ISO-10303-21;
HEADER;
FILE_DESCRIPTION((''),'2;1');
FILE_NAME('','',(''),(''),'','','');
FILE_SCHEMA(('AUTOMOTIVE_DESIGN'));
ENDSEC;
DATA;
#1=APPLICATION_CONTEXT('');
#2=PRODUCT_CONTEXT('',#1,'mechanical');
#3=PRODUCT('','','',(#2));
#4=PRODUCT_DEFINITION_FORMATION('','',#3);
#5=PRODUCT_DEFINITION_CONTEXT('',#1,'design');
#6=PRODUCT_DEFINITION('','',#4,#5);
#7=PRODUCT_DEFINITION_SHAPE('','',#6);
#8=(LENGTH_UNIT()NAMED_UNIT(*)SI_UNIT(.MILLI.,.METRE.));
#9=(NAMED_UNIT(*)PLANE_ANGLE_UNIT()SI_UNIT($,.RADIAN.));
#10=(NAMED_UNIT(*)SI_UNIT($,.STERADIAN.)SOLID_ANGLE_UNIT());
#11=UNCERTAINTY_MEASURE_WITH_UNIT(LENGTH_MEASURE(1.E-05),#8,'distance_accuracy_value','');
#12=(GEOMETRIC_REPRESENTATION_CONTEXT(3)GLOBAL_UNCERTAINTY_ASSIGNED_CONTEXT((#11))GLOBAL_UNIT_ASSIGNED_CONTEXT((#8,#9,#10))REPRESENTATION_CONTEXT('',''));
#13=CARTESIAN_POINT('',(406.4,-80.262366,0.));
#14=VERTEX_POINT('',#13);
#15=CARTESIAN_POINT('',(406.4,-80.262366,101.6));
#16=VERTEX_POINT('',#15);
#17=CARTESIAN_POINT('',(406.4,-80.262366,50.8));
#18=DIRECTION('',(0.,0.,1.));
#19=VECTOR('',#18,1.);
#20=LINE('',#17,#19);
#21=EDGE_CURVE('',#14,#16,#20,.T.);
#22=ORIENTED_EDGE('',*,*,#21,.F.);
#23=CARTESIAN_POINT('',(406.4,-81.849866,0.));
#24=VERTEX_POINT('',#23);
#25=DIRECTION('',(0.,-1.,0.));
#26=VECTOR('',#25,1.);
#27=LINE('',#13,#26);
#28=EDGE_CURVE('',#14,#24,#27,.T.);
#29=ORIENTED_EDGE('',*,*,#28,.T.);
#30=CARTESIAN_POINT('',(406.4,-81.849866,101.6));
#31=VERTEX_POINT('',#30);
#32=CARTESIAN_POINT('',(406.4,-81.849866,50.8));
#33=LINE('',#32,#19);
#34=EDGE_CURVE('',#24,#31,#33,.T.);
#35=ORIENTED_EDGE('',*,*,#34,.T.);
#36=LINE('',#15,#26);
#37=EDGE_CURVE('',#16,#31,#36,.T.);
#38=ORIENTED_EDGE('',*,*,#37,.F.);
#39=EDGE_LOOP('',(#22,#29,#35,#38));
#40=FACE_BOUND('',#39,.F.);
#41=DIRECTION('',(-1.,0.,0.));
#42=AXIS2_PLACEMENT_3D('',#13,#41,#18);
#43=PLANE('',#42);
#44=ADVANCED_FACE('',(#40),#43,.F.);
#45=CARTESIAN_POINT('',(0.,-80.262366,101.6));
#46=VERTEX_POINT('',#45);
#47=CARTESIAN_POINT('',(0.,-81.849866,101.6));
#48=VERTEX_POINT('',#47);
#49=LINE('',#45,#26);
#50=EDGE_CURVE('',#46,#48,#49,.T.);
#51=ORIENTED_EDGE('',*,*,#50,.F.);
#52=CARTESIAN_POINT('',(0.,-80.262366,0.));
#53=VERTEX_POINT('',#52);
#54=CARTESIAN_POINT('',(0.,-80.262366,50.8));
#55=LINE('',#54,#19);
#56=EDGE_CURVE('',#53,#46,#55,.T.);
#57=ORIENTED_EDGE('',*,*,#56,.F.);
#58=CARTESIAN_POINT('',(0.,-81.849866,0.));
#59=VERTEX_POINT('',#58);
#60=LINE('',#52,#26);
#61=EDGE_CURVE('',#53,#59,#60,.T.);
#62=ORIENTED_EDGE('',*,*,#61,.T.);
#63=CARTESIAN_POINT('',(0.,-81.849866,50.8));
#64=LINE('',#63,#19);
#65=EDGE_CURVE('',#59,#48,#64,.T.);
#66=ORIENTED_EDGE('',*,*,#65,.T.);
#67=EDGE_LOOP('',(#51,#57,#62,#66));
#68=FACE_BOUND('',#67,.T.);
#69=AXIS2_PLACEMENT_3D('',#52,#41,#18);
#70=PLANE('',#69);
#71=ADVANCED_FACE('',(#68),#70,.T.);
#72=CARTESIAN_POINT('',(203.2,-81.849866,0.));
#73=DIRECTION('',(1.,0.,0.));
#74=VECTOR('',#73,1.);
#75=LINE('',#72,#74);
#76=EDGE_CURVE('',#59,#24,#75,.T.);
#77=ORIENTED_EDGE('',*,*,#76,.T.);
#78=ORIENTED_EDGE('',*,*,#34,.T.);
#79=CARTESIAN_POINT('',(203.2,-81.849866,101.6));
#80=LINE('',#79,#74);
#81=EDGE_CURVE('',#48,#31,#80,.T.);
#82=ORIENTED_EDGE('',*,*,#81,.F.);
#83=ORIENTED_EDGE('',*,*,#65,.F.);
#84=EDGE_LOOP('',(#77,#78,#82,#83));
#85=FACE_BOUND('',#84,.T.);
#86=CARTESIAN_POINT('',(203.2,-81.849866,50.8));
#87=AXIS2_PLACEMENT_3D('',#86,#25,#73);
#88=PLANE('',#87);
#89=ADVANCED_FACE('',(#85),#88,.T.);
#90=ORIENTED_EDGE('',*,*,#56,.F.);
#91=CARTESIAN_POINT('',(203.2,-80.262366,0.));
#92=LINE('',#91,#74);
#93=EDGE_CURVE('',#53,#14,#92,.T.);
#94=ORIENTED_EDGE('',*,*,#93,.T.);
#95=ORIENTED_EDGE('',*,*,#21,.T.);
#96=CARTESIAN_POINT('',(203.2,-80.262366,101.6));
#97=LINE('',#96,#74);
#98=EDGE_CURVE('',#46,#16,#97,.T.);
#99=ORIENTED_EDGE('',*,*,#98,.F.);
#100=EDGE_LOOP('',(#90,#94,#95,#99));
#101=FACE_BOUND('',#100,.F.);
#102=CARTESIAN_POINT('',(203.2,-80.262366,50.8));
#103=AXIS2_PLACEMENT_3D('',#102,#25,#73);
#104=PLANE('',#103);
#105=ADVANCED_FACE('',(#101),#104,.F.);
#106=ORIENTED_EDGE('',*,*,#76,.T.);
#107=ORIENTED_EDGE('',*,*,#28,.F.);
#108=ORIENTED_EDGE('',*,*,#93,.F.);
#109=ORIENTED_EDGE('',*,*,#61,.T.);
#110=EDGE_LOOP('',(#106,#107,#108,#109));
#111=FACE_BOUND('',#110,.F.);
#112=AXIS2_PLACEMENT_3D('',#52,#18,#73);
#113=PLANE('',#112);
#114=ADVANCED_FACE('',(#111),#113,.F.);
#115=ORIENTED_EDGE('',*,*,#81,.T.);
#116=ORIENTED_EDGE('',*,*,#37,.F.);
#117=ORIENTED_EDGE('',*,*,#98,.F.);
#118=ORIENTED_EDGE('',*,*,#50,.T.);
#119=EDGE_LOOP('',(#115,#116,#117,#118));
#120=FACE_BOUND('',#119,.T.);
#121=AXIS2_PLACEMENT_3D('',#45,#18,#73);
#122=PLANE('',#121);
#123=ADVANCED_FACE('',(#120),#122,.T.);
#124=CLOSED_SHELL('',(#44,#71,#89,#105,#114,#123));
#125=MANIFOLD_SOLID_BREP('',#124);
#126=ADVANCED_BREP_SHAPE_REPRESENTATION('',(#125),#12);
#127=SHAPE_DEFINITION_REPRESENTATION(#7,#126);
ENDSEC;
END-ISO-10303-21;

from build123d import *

# Parameters (mm, degrees)
SKETCH1_W           = 406.4
SKETCH1_H           = 101.6
BOSS_EXTRUDE1_DEPTH = 1.5875


with BuildPart() as part:
    # Sketch1 → Boss-Extrude1 (new body)
    with BuildSketch(Plane.XZ.offset(80.26236602)):
        with Locations((203.2, 50.8)):
            Rectangle(SKETCH1_W, SKETCH1_H)
    extrude(amount=BOSS_EXTRUDE1_DEPTH)


solid = part.part
